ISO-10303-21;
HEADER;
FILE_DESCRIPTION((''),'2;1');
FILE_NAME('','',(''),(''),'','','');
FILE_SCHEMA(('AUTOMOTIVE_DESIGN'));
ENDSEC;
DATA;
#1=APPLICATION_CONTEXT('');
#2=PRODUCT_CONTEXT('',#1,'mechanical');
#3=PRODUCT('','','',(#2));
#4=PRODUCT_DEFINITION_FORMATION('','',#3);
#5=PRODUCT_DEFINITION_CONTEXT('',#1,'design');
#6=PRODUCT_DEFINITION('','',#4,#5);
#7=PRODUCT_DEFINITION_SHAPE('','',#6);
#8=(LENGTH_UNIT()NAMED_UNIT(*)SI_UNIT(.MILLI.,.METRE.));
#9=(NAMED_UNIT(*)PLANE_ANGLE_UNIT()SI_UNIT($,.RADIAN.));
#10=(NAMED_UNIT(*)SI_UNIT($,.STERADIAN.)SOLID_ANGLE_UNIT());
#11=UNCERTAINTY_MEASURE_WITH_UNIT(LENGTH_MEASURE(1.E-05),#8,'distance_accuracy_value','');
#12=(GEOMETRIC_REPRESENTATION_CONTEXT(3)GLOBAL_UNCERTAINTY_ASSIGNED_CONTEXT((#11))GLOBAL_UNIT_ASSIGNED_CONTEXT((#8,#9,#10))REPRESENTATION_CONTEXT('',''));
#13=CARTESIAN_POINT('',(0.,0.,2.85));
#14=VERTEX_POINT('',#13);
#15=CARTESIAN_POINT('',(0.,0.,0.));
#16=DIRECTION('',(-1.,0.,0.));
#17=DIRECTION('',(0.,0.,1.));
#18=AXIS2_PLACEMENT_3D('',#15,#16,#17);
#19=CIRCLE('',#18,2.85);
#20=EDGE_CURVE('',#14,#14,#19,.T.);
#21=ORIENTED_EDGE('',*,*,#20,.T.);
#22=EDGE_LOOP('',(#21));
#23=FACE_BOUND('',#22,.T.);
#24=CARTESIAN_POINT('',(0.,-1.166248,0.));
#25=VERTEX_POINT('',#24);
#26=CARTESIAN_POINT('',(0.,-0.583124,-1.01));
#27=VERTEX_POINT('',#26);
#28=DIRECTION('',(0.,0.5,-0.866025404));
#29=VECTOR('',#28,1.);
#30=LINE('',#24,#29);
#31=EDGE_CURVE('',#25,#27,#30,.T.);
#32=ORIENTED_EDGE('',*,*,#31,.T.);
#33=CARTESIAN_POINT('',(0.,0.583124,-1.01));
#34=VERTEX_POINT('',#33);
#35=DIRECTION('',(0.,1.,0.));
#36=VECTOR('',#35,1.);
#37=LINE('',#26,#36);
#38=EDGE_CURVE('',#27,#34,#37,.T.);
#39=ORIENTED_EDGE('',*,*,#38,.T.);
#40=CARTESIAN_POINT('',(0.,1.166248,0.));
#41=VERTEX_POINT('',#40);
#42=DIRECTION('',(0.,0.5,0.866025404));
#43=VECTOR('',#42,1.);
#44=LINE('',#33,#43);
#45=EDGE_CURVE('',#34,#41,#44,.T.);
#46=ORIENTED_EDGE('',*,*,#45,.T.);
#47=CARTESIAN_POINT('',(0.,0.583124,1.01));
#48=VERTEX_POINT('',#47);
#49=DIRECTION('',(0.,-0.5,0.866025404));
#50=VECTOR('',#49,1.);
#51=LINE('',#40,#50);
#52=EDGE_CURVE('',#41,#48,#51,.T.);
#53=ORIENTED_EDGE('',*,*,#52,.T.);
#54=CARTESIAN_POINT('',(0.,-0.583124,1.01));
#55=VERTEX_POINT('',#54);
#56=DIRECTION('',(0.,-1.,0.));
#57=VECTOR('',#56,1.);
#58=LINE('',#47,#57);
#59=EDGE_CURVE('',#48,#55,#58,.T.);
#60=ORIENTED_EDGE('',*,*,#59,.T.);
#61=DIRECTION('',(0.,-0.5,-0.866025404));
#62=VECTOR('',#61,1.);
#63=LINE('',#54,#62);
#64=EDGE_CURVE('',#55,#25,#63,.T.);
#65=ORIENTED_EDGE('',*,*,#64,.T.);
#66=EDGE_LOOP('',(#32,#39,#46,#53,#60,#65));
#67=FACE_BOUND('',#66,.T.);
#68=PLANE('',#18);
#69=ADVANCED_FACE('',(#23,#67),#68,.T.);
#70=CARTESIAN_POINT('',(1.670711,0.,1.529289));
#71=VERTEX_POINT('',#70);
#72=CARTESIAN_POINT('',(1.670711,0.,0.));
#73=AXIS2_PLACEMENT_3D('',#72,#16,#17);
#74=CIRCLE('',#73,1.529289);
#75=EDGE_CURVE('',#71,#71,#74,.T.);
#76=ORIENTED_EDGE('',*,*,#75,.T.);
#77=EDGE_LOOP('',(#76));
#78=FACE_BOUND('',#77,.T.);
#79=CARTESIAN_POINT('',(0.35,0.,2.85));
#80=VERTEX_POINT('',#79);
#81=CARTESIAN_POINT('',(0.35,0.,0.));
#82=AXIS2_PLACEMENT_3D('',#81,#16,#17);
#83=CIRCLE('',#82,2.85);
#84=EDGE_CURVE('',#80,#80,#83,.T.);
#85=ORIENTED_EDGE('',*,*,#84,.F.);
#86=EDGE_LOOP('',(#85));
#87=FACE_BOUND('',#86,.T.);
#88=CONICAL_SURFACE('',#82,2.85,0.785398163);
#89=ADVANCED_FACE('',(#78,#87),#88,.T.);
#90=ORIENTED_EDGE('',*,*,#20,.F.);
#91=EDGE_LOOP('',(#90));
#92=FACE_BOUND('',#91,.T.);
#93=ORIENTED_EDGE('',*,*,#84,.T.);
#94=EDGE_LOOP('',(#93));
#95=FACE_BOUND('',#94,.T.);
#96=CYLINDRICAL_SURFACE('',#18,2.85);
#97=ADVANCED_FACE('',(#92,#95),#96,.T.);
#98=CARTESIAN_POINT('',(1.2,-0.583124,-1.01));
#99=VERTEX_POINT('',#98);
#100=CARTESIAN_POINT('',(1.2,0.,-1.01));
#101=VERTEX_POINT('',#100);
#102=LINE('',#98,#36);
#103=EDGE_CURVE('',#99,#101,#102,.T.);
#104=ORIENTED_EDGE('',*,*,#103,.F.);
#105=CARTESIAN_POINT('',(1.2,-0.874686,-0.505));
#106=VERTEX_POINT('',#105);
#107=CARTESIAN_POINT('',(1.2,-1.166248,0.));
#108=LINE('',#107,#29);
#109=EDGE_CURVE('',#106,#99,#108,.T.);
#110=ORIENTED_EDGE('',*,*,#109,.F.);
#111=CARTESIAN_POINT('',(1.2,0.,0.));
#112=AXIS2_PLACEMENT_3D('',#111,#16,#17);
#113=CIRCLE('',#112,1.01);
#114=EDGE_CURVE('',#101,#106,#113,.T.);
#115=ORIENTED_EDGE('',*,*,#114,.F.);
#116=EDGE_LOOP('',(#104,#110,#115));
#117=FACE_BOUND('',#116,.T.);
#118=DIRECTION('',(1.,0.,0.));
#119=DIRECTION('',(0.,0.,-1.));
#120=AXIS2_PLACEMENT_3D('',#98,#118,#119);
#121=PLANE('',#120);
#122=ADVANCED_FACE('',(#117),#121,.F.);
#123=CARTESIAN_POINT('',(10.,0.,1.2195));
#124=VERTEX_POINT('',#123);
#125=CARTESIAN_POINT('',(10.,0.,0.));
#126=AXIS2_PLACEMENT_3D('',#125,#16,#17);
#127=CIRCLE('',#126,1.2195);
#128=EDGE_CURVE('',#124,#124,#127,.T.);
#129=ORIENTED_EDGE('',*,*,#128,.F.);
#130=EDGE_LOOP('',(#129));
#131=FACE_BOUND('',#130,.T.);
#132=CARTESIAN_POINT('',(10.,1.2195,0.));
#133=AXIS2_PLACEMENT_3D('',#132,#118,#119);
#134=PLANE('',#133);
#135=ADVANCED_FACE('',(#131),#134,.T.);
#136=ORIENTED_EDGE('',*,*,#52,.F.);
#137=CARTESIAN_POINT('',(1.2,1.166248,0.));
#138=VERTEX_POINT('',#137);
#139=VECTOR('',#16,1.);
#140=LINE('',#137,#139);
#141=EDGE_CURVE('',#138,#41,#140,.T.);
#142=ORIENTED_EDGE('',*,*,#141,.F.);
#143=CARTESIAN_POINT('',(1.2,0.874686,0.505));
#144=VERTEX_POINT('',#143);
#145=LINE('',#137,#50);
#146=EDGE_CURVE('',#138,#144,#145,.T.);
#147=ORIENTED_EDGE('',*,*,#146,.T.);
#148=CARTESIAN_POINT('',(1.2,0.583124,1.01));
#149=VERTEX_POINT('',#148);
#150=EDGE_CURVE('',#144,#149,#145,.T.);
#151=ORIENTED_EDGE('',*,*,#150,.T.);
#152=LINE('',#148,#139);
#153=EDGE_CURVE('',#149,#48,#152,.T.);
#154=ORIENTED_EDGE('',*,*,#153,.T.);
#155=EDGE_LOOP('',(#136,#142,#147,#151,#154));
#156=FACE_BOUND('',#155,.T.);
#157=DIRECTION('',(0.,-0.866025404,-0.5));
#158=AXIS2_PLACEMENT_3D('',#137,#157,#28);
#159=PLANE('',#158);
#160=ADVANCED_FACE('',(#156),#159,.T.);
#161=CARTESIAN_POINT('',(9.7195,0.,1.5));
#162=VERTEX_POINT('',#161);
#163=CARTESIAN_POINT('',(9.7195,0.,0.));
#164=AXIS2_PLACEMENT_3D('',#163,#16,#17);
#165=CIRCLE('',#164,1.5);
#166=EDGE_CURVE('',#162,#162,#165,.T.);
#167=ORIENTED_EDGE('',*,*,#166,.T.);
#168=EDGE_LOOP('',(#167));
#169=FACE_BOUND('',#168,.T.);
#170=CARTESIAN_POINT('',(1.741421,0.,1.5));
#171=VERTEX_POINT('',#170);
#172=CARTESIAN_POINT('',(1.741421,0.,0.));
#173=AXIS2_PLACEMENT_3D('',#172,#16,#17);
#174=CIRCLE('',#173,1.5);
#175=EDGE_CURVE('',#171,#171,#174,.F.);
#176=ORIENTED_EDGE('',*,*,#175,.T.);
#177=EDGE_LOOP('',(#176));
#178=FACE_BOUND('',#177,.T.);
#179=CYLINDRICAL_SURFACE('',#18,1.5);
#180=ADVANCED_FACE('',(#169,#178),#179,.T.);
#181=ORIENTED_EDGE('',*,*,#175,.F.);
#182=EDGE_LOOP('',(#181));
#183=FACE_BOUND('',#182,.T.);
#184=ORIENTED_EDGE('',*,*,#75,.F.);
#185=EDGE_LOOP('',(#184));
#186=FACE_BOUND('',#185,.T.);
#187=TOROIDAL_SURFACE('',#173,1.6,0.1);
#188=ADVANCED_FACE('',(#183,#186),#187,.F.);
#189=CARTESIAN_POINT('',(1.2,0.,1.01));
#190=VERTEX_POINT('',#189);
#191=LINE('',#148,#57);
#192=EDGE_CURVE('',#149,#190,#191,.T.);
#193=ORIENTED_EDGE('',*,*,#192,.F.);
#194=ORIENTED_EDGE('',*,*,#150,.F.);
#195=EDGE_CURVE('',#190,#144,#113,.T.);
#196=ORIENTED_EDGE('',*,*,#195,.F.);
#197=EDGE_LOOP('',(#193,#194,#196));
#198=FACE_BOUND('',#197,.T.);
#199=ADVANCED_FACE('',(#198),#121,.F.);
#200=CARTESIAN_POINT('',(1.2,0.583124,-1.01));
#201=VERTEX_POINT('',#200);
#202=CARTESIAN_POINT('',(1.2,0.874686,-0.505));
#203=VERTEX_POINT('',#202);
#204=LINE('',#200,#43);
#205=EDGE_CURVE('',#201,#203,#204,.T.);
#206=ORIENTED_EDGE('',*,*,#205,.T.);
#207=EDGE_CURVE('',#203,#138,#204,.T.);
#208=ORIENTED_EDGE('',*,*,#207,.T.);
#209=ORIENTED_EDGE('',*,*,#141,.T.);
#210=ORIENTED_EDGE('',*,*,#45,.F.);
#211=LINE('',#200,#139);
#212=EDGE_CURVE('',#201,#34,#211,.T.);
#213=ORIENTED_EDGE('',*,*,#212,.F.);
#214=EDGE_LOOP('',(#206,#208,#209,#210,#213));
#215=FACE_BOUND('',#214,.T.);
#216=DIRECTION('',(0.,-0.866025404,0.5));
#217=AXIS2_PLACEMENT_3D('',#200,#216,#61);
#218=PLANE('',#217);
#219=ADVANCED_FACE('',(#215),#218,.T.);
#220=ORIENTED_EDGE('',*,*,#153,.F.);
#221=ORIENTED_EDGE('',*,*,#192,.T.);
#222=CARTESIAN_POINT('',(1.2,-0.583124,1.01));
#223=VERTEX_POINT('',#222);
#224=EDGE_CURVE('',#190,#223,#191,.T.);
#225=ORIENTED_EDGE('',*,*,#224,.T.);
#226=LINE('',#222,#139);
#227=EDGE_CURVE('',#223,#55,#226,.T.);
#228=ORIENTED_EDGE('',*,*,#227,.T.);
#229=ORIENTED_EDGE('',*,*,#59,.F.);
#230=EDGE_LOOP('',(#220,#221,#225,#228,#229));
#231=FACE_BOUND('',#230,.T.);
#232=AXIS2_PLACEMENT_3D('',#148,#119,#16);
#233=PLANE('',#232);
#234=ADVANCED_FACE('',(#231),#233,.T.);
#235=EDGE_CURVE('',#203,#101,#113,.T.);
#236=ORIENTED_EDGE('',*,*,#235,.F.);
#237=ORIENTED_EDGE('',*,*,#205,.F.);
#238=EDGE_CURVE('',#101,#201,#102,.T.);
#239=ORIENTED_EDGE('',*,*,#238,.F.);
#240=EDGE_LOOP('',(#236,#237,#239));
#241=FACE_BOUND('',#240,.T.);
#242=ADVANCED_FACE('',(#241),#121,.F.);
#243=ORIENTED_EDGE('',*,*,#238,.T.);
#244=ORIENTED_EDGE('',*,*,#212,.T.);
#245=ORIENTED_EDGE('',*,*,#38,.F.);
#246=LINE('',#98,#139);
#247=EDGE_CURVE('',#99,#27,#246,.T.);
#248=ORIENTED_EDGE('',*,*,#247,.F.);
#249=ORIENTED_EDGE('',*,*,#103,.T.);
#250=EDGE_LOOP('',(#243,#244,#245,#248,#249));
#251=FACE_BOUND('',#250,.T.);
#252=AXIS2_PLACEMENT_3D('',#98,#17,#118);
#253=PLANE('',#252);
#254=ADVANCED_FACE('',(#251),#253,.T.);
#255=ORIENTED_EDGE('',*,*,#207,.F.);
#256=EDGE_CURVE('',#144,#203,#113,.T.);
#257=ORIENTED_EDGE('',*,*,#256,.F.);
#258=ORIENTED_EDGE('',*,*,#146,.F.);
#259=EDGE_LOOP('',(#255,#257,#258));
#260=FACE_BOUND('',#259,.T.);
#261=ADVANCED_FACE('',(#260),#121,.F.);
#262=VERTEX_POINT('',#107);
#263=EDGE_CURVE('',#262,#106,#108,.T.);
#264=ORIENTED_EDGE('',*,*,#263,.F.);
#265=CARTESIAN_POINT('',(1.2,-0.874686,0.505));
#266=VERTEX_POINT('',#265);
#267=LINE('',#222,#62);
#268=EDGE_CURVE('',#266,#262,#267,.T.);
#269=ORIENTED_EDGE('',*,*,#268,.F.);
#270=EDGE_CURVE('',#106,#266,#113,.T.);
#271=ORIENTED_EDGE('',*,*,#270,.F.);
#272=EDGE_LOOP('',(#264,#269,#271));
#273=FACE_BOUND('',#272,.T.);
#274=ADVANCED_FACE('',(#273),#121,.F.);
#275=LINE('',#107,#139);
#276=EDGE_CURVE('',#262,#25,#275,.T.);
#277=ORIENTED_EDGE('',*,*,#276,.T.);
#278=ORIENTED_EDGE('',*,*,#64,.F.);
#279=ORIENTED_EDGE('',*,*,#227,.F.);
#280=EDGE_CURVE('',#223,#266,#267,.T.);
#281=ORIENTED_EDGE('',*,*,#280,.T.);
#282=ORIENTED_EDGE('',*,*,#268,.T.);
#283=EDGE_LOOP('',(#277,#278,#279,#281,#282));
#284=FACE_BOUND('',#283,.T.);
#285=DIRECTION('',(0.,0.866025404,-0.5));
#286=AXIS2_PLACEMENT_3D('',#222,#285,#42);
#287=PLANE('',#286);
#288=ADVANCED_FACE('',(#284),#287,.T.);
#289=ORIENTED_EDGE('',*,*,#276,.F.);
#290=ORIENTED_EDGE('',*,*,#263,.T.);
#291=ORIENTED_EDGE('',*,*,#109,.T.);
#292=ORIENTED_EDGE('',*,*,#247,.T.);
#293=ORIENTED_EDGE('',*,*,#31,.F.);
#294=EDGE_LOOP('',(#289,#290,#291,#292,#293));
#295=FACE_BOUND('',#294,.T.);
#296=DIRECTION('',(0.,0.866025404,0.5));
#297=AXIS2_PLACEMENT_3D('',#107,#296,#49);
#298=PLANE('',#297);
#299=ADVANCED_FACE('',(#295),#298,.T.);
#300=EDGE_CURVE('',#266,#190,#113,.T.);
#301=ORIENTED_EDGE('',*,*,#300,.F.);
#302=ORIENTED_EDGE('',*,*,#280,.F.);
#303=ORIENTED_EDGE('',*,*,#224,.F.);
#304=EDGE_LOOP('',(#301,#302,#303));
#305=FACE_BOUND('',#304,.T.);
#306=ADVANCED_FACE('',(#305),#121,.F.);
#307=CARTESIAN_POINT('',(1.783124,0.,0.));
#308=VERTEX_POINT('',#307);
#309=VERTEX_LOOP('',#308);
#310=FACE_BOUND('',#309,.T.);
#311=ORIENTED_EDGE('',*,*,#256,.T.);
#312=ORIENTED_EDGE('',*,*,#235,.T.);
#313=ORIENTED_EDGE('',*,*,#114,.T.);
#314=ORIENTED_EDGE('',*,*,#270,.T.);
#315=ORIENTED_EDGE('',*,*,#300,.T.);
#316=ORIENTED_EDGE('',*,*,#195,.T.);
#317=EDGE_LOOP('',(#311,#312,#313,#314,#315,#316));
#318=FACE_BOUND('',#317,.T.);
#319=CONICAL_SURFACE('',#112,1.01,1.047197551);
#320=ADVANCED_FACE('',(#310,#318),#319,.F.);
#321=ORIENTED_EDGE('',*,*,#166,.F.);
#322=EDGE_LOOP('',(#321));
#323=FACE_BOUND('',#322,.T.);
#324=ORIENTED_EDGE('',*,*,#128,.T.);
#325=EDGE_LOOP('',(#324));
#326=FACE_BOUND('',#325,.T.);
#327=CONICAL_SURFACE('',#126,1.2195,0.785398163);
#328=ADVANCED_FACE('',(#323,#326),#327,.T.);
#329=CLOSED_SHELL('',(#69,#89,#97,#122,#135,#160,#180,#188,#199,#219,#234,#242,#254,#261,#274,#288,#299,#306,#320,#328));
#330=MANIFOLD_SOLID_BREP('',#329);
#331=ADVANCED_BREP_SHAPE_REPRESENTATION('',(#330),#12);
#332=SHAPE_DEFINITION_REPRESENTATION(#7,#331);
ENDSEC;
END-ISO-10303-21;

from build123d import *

# Parameters (mm, degrees)
FILLET1_R   = 0.1
HEX_2_DEPTH = 1.2


with BuildPart() as part:
    # BodySke → BaseBody (revolve)
    with BuildSketch(Plane.XY):
        Polygon((0, 0), (0, 2.85), (0.35, 2.85), (1.7, 1.5), (9.7195, 1.5), (10, 1.2195), (10, 0), align=None)
    revolve(axis=Axis((0, 0, 0), (1, 0, 0)))

    # Fillet1
    fillet1_edges = [part.edges().sort_by_distance(p)[0] for p in [
        (1.7, -1.5, 0),
    ]]
    fillet(fillet1_edges, radius=FILLET1_R)

    # Sketch2 → PreBroach (revolve, cut)
    with BuildSketch(Plane.XY):
        Polygon((0, 1.01), (1.2, 1.01), (1.783123772, 0), (0, 0), align=None)
    revolve(axis=Axis((0, 0, 0), (1, 0, 0)), mode=Mode.SUBTRACT)

    # Sketch3 → Hex 2 (cut)
    with BuildSketch(Plane.ZY):
        Polygon((-1.01, -0.583123772), (-1.01, 0.583123772), (0, 1.166247544), (1.01, 0.583123772), (1.01, -0.583123772), (0, -1.166247544), align=None)
    extrude(amount=-HEX_2_DEPTH, mode=Mode.SUBTRACT)


solid = part.part
